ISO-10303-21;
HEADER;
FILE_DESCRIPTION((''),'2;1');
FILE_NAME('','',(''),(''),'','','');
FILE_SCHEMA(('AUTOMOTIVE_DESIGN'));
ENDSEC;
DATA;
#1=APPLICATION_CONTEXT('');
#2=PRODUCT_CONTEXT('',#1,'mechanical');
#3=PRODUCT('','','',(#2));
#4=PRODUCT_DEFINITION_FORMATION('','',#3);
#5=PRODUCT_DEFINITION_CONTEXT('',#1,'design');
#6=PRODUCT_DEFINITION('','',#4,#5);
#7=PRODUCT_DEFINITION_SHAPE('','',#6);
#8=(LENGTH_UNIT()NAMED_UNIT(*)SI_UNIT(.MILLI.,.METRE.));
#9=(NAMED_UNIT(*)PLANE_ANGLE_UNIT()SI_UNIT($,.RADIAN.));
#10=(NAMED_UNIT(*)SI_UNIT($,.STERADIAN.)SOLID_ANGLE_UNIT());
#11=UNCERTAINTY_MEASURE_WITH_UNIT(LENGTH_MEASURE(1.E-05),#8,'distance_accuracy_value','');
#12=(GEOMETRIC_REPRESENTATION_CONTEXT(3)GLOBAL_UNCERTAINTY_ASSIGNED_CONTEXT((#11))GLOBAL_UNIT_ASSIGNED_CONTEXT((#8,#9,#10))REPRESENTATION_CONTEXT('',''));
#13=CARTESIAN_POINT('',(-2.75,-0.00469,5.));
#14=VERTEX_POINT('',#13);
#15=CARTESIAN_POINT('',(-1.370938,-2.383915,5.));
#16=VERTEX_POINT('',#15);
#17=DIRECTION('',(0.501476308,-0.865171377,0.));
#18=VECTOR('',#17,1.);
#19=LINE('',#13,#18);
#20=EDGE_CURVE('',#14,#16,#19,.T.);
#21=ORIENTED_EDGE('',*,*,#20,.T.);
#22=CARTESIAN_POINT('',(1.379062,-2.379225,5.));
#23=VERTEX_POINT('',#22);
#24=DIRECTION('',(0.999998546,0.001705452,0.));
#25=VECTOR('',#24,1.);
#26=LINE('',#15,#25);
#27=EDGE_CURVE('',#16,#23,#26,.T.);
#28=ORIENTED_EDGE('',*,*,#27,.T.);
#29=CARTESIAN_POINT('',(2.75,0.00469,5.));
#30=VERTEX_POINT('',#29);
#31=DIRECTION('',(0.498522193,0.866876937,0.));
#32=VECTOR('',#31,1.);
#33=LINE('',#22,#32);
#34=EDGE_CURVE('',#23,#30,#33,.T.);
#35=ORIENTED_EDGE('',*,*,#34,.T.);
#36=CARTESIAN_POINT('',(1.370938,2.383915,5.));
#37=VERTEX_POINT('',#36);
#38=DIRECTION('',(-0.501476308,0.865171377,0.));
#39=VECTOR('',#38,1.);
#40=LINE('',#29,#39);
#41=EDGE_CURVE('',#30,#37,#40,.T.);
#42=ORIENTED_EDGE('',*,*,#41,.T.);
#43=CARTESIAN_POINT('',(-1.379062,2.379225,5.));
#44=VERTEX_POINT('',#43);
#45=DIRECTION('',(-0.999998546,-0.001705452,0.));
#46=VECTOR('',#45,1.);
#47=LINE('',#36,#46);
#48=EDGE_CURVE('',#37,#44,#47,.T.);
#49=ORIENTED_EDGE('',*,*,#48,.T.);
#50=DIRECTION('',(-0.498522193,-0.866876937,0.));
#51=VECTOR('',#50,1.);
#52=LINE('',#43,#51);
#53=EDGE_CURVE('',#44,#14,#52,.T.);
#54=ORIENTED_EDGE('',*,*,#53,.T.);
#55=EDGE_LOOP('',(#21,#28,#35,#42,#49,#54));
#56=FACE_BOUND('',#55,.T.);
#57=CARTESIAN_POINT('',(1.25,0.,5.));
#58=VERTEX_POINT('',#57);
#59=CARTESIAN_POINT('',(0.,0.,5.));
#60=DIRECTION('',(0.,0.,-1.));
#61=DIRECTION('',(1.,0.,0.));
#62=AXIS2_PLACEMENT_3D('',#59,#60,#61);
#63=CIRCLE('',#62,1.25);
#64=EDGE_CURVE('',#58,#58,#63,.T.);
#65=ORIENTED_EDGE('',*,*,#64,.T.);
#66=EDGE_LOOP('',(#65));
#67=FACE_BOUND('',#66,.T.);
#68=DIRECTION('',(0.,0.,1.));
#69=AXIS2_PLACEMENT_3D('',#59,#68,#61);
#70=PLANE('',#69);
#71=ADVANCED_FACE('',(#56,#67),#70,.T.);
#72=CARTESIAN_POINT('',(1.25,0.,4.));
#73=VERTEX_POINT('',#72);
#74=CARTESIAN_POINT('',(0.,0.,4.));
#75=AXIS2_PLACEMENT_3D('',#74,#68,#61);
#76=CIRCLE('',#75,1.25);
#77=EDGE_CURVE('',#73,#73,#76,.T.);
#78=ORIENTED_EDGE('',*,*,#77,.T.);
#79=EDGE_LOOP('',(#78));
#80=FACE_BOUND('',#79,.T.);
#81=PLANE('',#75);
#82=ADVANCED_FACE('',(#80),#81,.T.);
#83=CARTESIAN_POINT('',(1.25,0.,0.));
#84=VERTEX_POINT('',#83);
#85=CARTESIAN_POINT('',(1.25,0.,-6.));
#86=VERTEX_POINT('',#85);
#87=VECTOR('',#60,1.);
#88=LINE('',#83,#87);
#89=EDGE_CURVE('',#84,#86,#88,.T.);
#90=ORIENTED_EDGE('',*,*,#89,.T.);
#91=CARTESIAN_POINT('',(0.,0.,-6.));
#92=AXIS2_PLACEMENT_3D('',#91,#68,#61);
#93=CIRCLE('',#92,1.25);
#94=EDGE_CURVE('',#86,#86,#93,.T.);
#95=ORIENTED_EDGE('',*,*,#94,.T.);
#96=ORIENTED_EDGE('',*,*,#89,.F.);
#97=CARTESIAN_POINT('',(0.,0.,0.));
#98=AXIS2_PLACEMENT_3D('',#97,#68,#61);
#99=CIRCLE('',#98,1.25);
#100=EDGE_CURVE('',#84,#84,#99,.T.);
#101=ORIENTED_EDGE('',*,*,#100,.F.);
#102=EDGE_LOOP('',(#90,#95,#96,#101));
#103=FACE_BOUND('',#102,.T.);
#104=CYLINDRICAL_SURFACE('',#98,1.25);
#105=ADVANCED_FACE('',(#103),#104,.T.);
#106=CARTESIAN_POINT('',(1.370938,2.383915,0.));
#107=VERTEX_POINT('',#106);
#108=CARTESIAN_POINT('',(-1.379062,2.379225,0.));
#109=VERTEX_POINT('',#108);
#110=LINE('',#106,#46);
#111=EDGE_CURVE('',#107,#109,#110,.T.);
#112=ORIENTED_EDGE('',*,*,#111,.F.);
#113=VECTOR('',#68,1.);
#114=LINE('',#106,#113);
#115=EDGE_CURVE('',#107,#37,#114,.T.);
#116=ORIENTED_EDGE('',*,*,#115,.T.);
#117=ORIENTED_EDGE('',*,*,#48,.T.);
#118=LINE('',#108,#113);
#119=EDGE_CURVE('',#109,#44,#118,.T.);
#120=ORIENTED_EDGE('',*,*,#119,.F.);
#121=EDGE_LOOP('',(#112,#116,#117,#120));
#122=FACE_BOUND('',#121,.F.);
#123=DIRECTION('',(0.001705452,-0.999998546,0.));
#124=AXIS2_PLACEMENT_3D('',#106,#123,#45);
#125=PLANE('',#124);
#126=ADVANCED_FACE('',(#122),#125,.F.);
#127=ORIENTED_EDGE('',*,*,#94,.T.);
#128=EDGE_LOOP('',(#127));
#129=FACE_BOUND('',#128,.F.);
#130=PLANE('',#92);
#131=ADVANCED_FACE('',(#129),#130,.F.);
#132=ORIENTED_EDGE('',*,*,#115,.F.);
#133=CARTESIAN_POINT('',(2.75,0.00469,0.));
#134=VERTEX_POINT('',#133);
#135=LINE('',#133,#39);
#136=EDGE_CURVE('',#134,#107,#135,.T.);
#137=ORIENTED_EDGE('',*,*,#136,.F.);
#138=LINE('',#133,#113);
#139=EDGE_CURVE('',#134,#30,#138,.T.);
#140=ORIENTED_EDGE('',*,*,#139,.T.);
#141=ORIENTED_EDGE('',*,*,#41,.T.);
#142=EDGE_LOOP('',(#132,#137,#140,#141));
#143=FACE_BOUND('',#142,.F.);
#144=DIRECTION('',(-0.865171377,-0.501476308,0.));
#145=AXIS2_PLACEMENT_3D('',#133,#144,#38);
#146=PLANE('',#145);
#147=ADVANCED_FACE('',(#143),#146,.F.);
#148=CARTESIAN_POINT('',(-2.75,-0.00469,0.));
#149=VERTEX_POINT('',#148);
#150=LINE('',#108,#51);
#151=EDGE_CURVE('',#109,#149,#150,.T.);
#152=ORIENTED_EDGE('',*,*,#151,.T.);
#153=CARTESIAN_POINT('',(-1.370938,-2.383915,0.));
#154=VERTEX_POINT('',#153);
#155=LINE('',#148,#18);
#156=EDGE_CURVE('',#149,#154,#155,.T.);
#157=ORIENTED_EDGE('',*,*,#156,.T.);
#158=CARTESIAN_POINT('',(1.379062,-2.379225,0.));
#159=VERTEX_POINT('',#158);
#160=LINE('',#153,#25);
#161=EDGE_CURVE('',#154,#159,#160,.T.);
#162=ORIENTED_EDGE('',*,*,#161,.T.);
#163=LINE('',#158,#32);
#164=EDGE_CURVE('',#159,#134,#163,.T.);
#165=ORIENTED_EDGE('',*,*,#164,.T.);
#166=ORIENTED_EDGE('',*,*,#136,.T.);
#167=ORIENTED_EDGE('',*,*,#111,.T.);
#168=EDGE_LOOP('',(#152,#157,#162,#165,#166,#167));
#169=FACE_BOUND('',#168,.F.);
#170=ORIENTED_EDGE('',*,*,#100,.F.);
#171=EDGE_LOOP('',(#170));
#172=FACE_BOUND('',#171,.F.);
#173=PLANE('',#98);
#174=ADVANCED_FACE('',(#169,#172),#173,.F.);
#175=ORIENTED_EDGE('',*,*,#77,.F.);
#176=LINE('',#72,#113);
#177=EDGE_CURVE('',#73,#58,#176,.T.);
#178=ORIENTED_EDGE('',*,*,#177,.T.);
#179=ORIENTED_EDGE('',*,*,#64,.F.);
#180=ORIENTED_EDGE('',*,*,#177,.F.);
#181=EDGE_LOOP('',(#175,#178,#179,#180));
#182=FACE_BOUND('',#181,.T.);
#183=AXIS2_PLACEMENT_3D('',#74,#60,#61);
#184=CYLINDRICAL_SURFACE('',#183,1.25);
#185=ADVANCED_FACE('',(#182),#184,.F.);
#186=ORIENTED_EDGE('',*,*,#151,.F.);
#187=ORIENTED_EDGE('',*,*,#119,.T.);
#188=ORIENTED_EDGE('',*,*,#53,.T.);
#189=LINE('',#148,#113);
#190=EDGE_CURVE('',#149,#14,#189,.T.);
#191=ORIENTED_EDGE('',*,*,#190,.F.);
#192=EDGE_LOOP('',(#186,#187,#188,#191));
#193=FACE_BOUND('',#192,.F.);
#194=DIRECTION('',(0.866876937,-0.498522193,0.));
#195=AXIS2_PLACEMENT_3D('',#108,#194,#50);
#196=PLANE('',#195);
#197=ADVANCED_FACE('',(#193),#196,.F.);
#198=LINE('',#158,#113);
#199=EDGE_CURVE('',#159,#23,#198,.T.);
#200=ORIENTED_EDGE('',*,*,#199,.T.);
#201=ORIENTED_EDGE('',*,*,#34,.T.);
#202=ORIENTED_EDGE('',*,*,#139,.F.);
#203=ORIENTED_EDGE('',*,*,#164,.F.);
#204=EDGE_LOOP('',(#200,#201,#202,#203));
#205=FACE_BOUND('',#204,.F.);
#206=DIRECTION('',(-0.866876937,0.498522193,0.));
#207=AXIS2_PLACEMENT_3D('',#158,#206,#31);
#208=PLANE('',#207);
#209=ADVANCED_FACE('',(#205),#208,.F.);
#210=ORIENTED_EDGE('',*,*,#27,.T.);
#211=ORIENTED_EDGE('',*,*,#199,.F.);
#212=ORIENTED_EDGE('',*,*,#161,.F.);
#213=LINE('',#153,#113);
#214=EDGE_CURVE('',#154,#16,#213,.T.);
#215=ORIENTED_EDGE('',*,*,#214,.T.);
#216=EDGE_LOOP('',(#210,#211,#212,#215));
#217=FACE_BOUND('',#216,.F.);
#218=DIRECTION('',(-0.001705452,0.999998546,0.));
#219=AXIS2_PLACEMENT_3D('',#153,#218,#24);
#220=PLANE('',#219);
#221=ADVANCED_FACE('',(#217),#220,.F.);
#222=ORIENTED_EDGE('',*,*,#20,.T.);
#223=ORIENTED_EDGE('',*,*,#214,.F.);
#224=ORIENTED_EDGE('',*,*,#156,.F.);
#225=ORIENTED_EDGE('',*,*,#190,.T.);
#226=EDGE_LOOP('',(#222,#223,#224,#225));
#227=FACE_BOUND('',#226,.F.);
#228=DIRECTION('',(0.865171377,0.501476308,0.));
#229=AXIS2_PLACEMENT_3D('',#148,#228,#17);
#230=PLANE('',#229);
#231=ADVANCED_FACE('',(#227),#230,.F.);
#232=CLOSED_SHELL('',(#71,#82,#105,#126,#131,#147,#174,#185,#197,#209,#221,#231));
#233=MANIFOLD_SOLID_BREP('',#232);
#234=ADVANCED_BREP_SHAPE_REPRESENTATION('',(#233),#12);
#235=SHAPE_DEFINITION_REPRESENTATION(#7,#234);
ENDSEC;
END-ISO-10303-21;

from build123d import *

# Parameters (mm, degrees)
F1_DEPTH = 5
F2_R     = 1.25
F3_DEPTH = 6
F5_R     = 1.25
F6_DEPTH = 7


with BuildPart() as f1:
    # F0 (on Top) → F1 (new body)
    with BuildSketch(Plane.XY):
        Polygon((1.379062, -2.379225), (2.75, 0.00469), (1.370938, 2.383915), (-1.379062, 2.379225), (-2.75, -0.00469), (-1.370938, -2.383915), align=None)
    extrude(amount=F1_DEPTH)

    # F2 (on Top) → F3 (join)
    with BuildSketch(Plane.XY):
        Circle(F2_R)
    extrude(amount=-F3_DEPTH)

    # F5 (on offset) → F6 (cut)
    with BuildSketch(Plane.XY.offset(4)):
        Circle(F5_R)
    extrude(amount=F6_DEPTH, mode=Mode.SUBTRACT)


solid = f1.part
